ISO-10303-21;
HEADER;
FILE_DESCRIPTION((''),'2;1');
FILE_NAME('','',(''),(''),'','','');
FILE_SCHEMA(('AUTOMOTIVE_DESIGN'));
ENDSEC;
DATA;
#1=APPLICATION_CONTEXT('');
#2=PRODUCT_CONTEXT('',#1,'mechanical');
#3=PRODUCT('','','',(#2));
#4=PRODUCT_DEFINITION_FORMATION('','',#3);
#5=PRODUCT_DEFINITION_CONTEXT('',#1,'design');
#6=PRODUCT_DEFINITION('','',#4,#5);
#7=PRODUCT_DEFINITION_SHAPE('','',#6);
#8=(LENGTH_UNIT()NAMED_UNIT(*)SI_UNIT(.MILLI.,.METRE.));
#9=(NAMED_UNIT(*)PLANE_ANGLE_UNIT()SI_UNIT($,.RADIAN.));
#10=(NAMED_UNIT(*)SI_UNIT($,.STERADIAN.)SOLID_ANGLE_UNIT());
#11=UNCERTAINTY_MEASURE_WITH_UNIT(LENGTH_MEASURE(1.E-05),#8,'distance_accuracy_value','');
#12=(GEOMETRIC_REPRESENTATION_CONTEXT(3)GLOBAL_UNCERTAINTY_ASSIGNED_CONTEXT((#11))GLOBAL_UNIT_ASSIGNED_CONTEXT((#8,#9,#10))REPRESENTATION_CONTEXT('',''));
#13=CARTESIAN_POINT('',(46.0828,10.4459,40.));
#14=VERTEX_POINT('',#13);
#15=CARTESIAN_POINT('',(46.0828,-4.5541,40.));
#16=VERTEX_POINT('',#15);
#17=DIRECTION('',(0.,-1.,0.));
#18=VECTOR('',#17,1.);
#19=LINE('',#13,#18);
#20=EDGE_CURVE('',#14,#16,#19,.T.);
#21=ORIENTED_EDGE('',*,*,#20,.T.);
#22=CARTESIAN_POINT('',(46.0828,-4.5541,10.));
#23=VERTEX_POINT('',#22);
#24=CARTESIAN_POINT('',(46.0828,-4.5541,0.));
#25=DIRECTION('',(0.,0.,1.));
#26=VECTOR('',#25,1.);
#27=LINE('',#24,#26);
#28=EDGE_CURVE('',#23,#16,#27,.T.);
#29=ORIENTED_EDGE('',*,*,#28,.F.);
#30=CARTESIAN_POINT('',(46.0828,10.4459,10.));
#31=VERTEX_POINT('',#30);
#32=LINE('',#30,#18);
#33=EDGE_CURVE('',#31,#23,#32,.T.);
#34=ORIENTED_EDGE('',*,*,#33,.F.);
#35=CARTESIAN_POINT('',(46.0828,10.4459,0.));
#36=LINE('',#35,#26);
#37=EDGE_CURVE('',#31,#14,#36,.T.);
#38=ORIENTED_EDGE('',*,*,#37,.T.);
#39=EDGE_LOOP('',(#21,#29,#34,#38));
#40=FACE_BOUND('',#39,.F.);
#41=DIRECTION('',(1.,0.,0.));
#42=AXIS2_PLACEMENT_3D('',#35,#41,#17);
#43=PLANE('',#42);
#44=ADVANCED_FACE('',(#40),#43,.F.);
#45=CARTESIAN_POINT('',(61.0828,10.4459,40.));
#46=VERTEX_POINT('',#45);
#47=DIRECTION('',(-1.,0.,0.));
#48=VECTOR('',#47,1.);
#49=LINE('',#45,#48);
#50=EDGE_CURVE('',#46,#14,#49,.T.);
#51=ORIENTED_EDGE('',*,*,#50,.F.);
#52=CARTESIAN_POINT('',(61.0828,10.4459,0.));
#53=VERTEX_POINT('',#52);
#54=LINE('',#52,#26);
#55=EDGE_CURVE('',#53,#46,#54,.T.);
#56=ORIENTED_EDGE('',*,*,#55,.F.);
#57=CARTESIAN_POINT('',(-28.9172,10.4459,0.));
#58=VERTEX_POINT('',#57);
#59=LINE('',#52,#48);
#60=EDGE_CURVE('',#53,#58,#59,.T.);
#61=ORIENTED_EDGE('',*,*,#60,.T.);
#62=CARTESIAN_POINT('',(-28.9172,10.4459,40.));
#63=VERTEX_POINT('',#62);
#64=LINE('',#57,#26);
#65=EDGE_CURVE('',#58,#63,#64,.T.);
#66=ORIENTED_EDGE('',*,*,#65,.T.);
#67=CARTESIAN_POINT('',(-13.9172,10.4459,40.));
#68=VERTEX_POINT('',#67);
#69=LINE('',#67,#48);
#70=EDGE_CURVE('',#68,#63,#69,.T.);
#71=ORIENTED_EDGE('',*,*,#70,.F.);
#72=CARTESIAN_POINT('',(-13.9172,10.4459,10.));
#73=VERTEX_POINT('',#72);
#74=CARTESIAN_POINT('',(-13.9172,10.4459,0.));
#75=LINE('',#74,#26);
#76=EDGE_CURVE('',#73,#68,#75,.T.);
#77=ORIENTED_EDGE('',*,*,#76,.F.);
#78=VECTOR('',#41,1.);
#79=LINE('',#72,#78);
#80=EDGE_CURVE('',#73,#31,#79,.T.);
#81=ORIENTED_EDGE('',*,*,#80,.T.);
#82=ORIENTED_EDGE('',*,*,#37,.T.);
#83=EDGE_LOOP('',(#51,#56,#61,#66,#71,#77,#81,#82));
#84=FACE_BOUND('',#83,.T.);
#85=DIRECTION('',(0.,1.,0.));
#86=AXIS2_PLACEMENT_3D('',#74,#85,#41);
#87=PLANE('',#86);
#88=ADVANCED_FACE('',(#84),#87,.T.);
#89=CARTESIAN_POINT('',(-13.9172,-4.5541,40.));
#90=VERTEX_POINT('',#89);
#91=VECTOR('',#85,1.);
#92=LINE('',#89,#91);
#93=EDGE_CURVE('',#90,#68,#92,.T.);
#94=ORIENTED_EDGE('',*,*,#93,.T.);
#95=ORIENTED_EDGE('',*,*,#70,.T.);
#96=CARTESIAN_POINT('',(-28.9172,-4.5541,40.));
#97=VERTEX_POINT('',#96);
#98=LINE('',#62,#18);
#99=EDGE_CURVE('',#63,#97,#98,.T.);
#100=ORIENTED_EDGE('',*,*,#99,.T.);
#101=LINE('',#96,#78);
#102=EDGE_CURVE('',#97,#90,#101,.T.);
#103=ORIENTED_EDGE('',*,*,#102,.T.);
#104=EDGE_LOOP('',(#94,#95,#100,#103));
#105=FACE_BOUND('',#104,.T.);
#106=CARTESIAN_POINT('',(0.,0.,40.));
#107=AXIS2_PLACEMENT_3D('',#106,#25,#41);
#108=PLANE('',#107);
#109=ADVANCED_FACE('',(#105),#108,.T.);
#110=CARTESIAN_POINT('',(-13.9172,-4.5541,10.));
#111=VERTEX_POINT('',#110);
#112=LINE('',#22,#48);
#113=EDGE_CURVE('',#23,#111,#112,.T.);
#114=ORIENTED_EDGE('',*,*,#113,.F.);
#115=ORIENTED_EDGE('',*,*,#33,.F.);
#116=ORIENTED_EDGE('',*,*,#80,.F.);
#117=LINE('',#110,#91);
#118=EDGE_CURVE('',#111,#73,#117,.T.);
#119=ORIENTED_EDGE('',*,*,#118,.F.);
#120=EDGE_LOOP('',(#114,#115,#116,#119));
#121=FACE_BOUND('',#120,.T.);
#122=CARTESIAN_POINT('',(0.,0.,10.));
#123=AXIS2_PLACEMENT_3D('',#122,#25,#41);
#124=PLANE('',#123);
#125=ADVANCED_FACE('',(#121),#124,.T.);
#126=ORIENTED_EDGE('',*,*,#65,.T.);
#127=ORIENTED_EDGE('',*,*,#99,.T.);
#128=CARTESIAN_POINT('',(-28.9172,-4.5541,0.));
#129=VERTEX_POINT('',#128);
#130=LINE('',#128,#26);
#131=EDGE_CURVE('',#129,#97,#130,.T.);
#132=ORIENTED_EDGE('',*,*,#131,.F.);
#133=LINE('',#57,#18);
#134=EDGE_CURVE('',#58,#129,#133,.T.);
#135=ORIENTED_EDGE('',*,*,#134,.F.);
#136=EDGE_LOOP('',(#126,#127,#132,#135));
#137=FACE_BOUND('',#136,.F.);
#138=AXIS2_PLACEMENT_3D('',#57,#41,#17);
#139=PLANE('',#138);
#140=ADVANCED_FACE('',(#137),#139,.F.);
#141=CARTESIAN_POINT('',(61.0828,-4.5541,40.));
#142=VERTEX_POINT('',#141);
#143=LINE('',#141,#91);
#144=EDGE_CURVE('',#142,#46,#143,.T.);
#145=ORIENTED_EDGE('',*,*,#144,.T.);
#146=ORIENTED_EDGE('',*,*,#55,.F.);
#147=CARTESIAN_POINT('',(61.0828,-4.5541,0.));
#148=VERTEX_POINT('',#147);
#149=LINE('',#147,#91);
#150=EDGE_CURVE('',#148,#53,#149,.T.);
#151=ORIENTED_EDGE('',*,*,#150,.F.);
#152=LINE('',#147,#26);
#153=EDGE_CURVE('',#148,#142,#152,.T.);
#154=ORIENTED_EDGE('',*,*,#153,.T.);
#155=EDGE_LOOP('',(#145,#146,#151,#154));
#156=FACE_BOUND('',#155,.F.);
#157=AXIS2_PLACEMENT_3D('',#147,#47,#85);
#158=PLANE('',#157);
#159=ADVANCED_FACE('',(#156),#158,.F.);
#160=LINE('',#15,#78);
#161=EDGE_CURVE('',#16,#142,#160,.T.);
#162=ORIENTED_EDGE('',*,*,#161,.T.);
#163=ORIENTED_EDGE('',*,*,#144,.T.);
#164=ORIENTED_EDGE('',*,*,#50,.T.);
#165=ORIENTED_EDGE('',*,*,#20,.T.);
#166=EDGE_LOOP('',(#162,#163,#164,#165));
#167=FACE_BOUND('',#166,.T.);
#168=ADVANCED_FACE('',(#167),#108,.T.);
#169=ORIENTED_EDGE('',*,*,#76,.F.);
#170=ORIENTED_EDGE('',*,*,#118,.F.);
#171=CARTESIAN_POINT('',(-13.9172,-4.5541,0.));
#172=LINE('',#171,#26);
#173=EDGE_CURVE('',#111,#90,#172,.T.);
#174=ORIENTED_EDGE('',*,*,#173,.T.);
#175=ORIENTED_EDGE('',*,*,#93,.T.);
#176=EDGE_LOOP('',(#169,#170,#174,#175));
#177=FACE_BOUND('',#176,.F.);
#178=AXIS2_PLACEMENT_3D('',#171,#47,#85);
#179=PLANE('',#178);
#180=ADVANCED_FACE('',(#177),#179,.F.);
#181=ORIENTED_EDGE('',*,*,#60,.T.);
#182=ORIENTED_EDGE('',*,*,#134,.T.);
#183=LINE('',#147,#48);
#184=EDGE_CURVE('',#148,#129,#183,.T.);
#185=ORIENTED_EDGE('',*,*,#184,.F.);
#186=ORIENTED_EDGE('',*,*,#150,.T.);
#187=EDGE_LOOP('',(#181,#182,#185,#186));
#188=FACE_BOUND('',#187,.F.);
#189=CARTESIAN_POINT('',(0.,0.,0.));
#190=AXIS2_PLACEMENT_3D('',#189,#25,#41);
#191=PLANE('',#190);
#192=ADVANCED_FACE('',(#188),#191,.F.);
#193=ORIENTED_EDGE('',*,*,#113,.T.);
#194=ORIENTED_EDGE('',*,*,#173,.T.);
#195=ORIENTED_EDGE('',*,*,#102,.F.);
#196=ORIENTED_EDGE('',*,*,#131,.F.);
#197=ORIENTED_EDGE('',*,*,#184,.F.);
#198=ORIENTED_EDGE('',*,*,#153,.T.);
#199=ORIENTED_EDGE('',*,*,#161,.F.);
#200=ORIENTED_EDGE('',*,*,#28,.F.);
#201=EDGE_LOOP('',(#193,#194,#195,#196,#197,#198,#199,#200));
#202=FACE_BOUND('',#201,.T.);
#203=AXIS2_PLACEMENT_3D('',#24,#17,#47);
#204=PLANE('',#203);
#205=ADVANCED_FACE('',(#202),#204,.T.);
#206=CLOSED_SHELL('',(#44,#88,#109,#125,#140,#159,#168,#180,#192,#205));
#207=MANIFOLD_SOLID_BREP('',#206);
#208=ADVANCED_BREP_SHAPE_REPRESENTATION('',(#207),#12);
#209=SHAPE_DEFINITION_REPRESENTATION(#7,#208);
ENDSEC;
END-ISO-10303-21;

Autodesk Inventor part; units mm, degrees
ref_plane "YZ Plane" through (0, 0, 0) normal (1, 0, 0) x (0, 1, 0)
ref_plane "XZ Plane" through (0, 0, 0) normal (0, 1, 0) x (-1, 0, 0)
ref_plane "XY Plane" through (0, 0, 0) normal (0, 0, 1) x (1, 0, 0)
sketch "Sketch3" plane through (0, 0, 0) normal (0, 0, 1) x (1, 0, 0)
  line L0 (-13.9172, 10.4459) -> (46.0828, 10.4459)
  line L1 (46.0828, 10.4459) -> (46.0828, -4.5541)
  line L2 (46.0828, -4.5541) -> (-13.9172, -4.5541)
  line L3 (-13.9172, -4.5541) -> (-13.9172, 10.4459)
  line L4 (46.0828, -4.5541) -> (61.0828, -4.5541)
  line L5 (61.0828, -4.5541) -> (61.0828, 10.4459)
  line L6 (61.0828, 10.4459) -> (46.0828, 10.4459)
  line L7 (46.0828, 10.4459) -> (46.0828, -4.5541)
  line L8 (-13.9172, 10.4459) -> (-28.9172, 10.4459)
  line L9 (-28.9172, 10.4459) -> (-28.9172, -4.5541)
  line L10 (-28.9172, -4.5541) -> (-13.9172, -4.5541)
  line L11 (-13.9172, -4.5541) -> (-13.9172, 10.4459)
  point P0 (0, 0)
  dimension "d0" = 15
  dimension "d1" = 15
  dimension "d2" = 15
  dimension "d3" = 60
extrude "Extrusion1" add sketch "Sketch3" along normal blind 10 contours L0 L1 L2 L3
extrude "Extrusion2" add sketch "Sketch3" along normal blind 40 contours L3 L10 L9 L8 | L6 L5 L4 L1
equation "\"d2\" = d1"
properties part number "HandleR01"
